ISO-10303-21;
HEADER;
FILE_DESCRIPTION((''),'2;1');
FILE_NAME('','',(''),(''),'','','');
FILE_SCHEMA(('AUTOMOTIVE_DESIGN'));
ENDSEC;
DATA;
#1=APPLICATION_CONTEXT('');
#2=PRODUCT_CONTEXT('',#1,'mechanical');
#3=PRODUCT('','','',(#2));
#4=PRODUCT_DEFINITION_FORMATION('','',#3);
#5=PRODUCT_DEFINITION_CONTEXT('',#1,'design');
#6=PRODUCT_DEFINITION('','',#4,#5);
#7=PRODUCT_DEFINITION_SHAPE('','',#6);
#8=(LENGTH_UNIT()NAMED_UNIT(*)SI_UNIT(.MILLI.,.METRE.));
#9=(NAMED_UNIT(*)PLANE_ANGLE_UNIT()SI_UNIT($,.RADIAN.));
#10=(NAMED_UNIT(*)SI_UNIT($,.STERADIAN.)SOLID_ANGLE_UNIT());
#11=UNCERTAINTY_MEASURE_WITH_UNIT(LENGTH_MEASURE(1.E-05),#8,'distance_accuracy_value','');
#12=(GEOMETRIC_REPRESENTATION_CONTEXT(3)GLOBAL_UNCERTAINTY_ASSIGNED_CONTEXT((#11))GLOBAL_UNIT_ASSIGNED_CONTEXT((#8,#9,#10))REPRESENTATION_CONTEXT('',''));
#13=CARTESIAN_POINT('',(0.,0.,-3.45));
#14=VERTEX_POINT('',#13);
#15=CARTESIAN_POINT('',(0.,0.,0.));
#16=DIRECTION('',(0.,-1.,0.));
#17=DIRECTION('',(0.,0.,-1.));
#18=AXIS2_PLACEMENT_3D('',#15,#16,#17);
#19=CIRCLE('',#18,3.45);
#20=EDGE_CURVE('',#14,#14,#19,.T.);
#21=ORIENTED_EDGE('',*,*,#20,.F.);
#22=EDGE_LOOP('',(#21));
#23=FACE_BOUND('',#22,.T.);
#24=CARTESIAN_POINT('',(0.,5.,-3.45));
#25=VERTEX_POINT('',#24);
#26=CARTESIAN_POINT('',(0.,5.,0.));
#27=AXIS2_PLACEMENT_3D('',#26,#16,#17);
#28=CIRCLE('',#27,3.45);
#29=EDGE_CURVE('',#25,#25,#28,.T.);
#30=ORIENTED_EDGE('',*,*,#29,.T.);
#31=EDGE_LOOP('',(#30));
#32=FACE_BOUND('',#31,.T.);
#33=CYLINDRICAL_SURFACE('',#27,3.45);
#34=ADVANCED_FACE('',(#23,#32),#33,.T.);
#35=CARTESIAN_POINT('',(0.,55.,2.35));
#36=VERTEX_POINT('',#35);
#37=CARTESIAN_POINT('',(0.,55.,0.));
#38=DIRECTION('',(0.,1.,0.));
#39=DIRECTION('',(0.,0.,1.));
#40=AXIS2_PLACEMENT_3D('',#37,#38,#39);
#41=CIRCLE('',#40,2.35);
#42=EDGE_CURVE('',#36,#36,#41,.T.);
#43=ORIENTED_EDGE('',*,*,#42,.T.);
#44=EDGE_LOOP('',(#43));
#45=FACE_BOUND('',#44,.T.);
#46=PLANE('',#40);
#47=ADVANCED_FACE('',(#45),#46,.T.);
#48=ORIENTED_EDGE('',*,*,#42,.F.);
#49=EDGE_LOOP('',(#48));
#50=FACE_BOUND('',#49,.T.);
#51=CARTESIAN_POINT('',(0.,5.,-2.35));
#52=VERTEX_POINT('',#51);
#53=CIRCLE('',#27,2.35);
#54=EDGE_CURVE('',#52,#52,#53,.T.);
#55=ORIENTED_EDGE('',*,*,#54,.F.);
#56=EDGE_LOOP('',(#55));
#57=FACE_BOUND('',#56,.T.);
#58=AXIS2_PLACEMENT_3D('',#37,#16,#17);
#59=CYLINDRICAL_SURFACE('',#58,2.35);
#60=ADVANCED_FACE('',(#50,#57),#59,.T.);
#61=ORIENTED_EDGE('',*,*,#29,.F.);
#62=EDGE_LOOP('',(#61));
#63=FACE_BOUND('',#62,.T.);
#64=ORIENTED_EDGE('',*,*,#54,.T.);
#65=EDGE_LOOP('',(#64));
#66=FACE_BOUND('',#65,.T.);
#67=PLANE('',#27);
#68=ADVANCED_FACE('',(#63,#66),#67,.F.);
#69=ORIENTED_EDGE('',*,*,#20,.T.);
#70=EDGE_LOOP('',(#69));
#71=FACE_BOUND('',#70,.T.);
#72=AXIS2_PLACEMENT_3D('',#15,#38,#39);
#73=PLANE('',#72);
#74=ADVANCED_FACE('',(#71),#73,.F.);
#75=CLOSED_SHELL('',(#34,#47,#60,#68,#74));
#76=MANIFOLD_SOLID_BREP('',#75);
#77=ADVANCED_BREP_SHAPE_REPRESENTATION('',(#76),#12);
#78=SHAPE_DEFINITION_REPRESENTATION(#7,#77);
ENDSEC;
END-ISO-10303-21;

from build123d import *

# Parameters (mm, degrees)
SKETCH1_R           = 2.35
BOSS_EXTRUDE1_DEPTH = 55
SKETCH2_R           = 3.45
SKETCH2_R_2         = 2.35
BOSS_EXTRUDE2_DEPTH = 5


with BuildPart() as part:
    # Sketch1 → Boss-Extrude1 (new body)
    with BuildSketch(Plane(origin=(0, 0, 0), x_dir=(1, 0, 0), z_dir=(0, 1, 0))):
        with Locations(Location((0, 0, 0), (0, 0, 270))):  # turned: the seam where the file's is
            Circle(SKETCH1_R)
    extrude(amount=BOSS_EXTRUDE1_DEPTH)

    # Sketch2 → Boss-Extrude2 (add)
    with BuildSketch(Plane.XZ):
        with Locations(Location((0, 0, 0), (0, 0, 270))):  # turned: the seam where the file's is
            Circle(SKETCH2_R)
        with Locations(Location((0, 0, 0), (0, 0, 270))):  # turned: the seam where the file's is
            Circle(SKETCH2_R_2, mode=Mode.SUBTRACT)
    extrude(amount=-BOSS_EXTRUDE2_DEPTH)


solid = part.part
